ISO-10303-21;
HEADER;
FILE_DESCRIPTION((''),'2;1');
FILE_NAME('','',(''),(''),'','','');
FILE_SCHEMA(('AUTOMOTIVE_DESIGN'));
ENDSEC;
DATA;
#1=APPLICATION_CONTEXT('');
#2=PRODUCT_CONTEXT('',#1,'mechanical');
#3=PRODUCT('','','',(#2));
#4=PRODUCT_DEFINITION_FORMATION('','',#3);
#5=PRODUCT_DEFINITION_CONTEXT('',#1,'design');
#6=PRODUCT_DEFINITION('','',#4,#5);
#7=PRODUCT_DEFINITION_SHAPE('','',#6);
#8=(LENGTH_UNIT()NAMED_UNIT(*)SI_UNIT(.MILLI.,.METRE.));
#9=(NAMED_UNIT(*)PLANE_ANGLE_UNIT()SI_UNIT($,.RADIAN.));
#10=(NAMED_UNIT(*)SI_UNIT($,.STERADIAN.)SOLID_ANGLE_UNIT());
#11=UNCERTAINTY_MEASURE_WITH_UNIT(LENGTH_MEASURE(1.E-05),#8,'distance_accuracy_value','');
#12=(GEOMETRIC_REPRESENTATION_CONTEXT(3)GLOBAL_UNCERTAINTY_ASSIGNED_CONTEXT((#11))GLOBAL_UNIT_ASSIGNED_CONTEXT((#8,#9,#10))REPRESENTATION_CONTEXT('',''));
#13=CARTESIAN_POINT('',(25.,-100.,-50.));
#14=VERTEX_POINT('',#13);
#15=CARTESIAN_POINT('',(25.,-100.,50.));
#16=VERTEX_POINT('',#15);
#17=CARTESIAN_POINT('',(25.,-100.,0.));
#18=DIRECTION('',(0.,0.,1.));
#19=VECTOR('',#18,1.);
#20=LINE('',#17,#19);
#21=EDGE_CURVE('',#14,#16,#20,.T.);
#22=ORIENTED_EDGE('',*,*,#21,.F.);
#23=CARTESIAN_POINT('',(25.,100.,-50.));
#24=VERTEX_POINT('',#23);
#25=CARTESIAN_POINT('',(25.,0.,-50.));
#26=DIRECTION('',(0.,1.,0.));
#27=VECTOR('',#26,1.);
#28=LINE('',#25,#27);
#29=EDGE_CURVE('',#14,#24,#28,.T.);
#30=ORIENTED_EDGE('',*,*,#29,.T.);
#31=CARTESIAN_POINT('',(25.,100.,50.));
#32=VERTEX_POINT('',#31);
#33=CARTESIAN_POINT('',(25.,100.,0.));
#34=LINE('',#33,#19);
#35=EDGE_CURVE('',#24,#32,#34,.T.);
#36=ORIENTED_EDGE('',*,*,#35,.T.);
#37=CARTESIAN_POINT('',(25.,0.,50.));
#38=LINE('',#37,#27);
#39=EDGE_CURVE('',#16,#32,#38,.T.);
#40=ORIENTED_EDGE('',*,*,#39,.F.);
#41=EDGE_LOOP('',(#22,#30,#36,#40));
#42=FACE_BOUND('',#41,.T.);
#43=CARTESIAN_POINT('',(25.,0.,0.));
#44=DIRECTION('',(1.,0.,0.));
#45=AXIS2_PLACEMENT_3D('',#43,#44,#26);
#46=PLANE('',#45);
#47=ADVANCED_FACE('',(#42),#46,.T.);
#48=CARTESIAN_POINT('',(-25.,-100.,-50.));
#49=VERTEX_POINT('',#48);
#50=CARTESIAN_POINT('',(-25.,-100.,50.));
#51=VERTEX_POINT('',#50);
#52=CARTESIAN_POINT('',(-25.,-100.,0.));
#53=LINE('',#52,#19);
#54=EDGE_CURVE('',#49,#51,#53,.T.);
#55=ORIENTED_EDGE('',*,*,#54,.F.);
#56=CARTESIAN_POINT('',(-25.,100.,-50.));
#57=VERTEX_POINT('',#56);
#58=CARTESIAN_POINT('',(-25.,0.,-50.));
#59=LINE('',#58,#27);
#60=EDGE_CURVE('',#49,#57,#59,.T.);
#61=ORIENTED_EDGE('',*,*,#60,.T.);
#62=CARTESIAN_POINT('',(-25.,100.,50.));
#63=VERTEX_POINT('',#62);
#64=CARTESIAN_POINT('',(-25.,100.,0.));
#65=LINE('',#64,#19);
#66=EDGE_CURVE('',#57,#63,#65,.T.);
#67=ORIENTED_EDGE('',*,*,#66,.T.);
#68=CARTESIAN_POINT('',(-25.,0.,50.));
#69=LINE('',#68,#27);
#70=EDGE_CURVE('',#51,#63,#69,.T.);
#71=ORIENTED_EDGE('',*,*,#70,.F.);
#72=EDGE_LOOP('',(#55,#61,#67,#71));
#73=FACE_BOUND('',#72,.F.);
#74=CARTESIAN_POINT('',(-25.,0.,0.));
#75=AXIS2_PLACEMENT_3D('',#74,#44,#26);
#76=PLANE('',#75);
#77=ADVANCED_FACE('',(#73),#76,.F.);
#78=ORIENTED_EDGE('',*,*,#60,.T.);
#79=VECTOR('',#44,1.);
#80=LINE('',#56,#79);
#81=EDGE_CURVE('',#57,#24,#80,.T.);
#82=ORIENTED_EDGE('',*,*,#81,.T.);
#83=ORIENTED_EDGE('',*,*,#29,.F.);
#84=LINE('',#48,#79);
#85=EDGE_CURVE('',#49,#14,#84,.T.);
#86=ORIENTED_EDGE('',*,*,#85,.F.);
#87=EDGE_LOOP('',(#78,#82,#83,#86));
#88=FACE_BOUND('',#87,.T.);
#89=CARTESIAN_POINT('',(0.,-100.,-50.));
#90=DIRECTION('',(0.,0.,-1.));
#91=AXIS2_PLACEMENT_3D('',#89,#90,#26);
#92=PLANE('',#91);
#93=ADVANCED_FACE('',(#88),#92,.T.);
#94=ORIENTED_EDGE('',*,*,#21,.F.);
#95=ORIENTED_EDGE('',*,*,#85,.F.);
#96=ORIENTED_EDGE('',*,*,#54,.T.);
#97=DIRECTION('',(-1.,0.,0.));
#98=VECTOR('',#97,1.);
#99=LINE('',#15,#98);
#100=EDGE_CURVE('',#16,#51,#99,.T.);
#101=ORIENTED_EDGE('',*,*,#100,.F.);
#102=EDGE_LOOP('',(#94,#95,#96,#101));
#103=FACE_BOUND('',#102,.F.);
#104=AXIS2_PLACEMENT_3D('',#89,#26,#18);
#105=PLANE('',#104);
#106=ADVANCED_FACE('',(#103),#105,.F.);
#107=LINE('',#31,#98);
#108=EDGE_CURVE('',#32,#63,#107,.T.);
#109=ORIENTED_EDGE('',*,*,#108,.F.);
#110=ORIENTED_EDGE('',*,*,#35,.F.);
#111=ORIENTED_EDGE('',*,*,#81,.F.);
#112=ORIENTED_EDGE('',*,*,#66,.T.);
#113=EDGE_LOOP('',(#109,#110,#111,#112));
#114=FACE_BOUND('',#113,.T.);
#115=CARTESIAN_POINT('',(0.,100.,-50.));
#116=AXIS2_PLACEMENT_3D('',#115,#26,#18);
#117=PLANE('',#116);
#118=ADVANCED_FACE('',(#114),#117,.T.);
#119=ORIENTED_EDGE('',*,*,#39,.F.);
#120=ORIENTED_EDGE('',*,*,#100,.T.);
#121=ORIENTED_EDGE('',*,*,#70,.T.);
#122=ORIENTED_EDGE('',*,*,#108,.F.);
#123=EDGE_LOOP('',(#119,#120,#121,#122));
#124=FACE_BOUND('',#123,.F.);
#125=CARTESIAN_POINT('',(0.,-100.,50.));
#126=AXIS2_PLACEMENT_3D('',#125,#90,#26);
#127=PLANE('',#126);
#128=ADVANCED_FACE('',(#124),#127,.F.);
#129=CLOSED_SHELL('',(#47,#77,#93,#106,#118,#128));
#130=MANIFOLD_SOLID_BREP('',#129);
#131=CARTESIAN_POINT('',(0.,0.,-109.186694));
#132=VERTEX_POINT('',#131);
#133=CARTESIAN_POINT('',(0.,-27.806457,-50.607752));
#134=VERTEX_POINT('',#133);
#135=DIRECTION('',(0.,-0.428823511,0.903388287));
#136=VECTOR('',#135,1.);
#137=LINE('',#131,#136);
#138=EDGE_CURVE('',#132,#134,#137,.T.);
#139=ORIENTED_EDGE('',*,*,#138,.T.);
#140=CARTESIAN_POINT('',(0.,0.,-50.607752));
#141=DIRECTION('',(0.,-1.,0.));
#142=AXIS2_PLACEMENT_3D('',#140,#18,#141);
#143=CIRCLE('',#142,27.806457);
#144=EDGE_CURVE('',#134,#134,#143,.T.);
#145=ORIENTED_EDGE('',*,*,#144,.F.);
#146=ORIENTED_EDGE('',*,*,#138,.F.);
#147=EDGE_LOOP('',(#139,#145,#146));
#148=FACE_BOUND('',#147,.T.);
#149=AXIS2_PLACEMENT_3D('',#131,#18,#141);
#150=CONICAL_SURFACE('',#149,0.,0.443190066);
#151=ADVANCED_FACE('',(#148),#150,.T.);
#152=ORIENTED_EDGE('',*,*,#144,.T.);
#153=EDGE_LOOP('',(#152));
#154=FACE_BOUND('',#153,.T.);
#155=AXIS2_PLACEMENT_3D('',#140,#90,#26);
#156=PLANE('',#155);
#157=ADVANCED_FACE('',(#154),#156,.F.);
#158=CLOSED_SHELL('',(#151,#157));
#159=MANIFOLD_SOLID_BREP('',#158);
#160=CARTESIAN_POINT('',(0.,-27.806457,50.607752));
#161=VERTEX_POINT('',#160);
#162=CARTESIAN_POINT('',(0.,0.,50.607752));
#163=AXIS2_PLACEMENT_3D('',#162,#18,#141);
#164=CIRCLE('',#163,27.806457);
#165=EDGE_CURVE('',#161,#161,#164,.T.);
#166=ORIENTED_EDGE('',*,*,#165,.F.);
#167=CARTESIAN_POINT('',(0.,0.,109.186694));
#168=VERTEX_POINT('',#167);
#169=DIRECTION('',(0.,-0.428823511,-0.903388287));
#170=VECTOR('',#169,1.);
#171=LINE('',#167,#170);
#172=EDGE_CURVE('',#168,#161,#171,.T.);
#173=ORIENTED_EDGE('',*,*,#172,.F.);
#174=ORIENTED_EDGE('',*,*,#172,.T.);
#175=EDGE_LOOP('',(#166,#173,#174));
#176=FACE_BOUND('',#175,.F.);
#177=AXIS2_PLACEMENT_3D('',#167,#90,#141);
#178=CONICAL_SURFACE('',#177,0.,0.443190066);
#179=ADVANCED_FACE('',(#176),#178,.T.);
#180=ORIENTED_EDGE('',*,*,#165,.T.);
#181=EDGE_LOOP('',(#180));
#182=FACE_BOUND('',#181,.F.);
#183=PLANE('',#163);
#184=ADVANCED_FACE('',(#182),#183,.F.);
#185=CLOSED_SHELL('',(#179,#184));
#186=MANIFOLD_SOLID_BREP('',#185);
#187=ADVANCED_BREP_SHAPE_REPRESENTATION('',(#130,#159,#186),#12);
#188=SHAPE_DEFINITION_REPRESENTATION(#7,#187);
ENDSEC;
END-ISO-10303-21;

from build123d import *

# Parameters (mm, degrees)
F0_W     = 200
F0_H     = 100
F1_DEPTH = 25


with BuildPart() as f1:
    # F0 (on Right) → F1 (new body, symmetric)
    with BuildSketch(Plane.YZ):
        Rectangle(F0_W, F0_H)
    extrude(amount=F1_DEPTH, both=True)


with BuildPart() as f3:
    # F2 (on Right) → F3 (revolve)
    with BuildSketch(Plane.YZ):
        Polygon((-27.806457, 50.607752), (0, 50.607752), (0, 109.186694), align=None)
    revolve(axis=Axis((0, 0, 79.897223), (0, 0, 1)))


with BuildPart() as f4_1:
    # F4: instance of F3
    add(f3.part.mirror(Plane.XY))


solid = Compound([f1.part, f3.part, f4_1.part])
